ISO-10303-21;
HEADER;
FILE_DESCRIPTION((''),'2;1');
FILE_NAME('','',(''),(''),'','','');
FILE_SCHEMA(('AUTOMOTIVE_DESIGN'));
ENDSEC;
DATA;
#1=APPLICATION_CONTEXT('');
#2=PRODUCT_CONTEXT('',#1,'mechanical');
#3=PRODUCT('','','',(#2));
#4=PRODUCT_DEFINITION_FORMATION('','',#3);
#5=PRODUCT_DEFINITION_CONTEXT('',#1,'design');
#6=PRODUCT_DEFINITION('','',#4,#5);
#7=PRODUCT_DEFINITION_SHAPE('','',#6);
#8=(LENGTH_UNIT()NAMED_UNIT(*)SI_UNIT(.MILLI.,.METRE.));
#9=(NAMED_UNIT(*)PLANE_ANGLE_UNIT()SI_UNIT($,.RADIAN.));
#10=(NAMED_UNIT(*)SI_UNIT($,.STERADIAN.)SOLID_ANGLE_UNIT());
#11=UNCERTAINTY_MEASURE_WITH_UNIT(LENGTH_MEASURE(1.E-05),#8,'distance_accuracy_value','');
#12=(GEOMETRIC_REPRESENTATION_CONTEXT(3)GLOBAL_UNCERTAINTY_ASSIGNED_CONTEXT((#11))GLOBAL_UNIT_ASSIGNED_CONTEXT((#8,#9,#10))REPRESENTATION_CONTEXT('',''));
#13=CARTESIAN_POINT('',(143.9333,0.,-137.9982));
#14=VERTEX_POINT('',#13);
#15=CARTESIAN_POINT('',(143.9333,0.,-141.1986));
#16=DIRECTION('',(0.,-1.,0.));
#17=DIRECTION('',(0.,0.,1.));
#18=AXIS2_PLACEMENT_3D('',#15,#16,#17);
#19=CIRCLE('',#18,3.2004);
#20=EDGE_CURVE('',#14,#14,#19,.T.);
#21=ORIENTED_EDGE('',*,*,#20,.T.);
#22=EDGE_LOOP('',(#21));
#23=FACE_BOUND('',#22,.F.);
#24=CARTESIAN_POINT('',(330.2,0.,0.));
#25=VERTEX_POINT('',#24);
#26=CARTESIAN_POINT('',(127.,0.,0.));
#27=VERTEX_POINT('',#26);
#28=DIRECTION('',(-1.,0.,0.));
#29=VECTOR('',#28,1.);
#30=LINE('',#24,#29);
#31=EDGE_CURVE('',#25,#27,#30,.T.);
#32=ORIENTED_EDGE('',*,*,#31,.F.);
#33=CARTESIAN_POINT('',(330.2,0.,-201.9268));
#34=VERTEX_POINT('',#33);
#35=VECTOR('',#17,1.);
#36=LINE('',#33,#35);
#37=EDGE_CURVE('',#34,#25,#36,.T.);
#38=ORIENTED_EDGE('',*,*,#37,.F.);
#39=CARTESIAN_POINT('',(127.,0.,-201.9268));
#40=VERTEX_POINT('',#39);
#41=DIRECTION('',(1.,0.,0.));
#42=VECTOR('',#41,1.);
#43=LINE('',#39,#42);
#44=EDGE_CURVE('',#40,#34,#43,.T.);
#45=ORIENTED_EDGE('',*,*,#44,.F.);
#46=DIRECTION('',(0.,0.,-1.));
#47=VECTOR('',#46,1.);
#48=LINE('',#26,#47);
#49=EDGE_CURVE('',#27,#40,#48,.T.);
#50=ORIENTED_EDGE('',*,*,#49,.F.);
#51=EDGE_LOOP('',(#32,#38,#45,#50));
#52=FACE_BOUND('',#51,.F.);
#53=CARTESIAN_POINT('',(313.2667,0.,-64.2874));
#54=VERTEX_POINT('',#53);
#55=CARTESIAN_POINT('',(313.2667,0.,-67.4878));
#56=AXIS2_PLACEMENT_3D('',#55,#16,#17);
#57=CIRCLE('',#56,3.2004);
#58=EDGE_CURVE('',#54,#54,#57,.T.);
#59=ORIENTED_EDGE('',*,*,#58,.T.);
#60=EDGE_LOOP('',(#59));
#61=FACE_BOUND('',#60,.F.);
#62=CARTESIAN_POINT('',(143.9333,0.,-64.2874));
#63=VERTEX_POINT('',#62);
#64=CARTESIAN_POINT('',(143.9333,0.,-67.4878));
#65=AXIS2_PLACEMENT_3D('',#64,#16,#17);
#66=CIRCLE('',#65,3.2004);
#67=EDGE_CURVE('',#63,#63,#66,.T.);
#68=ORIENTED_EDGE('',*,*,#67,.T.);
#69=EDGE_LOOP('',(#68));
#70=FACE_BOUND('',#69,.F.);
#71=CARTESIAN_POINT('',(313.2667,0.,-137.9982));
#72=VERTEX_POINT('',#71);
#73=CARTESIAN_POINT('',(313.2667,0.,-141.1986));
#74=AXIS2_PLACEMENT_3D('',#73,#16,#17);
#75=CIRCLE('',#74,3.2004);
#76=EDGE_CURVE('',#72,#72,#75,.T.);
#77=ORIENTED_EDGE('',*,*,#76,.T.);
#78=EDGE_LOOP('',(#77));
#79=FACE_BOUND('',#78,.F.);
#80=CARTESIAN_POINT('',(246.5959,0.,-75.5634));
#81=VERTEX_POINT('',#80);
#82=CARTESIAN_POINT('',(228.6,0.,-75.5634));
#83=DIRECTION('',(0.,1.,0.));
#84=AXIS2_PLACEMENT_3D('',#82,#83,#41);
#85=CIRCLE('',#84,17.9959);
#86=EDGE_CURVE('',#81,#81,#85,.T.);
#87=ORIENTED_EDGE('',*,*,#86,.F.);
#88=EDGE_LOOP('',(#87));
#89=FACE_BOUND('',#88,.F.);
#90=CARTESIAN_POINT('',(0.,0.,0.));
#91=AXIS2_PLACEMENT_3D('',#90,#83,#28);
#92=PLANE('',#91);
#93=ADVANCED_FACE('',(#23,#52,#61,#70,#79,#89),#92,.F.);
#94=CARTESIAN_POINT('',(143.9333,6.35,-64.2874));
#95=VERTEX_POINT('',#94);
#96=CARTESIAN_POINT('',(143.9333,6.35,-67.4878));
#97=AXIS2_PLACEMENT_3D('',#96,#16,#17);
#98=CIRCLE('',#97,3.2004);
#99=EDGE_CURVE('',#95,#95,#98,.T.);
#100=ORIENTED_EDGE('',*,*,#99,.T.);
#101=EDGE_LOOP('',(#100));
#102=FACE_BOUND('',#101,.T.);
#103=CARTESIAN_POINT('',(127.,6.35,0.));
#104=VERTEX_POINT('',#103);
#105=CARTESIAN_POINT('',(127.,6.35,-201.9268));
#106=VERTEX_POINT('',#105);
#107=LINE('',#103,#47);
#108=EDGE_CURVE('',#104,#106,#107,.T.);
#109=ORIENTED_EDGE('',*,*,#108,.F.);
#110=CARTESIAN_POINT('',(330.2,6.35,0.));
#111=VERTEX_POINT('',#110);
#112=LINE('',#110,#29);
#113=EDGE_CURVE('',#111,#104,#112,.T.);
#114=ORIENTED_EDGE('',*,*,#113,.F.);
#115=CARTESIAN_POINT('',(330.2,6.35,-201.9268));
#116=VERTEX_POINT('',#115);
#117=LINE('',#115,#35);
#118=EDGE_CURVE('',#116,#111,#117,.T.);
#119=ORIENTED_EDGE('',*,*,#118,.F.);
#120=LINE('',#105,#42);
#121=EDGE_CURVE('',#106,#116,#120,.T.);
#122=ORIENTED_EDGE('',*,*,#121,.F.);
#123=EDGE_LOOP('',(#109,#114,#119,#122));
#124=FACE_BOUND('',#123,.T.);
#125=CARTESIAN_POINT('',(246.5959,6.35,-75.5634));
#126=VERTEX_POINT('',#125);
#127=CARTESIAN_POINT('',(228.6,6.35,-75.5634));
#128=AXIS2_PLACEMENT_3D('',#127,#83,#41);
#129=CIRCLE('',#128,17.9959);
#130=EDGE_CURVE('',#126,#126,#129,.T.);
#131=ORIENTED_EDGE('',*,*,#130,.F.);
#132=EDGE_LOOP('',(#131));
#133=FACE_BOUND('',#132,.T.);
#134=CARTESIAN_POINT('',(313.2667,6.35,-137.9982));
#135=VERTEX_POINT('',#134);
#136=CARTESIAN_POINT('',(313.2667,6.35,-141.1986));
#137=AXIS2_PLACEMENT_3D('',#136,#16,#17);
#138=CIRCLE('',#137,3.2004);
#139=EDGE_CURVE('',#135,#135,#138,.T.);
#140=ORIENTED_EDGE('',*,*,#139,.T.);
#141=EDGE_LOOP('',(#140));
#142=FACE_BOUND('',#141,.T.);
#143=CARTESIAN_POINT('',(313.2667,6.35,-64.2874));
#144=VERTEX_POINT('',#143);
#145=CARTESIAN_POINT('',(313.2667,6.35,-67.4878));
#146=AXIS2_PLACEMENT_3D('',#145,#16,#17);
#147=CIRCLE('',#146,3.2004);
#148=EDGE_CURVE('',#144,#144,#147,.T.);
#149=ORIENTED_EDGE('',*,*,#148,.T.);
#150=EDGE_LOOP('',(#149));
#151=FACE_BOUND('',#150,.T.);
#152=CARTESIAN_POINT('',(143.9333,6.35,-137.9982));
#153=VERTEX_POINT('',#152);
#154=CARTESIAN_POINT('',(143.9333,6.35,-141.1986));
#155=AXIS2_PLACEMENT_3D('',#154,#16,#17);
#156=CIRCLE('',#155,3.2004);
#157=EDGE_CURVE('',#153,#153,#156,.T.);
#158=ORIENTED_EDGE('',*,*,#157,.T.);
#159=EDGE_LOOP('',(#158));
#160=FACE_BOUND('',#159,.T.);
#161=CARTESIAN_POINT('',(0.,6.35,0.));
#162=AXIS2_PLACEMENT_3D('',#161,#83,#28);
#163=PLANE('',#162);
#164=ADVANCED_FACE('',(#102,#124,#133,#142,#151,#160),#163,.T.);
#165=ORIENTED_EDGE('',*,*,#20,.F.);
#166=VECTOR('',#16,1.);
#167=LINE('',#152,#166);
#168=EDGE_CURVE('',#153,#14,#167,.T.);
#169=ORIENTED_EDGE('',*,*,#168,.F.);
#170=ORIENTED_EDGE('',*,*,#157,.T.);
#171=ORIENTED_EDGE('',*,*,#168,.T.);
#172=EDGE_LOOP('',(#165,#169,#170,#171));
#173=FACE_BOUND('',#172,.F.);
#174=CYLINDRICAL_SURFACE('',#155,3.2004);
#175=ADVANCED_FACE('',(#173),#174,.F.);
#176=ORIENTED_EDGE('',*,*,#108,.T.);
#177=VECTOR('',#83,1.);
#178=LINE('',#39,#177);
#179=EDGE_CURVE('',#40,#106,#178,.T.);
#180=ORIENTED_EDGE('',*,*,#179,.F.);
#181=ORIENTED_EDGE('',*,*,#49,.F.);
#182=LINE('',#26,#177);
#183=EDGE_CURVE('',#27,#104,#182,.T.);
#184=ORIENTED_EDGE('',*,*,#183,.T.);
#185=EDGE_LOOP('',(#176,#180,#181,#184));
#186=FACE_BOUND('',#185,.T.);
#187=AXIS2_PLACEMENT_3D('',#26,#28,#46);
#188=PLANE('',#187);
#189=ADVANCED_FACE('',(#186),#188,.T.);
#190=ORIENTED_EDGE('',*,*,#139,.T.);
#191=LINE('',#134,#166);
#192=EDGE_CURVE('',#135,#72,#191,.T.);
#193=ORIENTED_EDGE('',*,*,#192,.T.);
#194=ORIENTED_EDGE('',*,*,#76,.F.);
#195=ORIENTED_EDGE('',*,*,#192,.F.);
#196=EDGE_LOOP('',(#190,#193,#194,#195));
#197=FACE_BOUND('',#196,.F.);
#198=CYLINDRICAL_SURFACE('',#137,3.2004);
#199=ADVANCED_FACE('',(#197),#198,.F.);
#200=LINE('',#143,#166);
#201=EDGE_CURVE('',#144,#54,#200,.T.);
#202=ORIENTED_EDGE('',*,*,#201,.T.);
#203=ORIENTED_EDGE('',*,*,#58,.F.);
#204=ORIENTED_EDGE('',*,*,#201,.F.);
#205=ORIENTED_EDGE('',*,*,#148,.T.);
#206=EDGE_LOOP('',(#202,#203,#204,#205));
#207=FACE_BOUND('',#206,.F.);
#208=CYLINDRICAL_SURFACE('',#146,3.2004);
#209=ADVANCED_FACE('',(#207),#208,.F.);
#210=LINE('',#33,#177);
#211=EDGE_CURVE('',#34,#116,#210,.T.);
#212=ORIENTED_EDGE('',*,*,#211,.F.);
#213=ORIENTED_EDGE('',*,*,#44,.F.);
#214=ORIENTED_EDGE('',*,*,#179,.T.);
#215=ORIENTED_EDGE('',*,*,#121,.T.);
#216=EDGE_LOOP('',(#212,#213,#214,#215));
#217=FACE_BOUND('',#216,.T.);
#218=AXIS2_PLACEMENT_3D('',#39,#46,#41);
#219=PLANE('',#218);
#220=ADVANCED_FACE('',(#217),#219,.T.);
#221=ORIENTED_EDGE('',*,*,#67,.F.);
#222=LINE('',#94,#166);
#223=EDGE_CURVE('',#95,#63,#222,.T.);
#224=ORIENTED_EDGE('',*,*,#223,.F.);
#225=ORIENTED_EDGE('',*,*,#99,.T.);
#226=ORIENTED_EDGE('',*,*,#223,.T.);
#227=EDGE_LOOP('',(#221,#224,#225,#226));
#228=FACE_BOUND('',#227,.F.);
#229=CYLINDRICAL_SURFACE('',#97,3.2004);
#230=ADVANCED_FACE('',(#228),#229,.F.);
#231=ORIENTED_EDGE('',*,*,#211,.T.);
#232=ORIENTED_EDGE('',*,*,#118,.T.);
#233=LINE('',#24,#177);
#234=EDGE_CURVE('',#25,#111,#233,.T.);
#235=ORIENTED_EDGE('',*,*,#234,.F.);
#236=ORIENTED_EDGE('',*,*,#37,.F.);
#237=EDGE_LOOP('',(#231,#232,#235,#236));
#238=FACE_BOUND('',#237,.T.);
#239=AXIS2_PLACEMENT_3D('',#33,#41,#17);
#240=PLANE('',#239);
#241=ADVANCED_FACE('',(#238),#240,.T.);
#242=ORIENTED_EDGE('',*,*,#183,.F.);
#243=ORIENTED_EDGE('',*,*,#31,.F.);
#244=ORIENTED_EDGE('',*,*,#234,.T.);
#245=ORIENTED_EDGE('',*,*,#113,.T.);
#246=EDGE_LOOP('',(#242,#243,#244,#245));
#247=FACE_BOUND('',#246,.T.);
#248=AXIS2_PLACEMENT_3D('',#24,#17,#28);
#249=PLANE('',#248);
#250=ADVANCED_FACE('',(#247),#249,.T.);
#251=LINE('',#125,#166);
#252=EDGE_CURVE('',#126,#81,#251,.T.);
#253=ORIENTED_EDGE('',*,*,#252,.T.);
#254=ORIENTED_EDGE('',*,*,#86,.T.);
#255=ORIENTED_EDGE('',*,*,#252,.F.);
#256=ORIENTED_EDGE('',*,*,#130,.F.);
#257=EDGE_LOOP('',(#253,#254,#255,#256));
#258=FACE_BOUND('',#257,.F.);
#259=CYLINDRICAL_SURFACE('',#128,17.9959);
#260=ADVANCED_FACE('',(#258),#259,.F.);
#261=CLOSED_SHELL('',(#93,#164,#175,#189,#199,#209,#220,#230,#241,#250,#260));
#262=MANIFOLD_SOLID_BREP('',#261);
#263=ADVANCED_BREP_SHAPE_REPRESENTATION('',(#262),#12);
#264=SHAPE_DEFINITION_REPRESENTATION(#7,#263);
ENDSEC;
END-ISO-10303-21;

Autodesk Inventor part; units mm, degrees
ref_plane "YZ Plane" through (0, 0, 0) normal (1, 0, 0) x (0, 1, 0)
ref_plane "XZ Plane" through (0, 0, 0) normal (0, 1, 0) x (-1, 0, 0)
ref_plane "XY Plane" through (0, 0, 0) normal (0, 0, 1) x (1, 0, 0)
sketch "Sketch1" plane through (0, 0, 0) normal (0, 1, 0) x (-1, 0, 0)
  line L0 (-330.2, -201.9268) -> (-330.2, 0)
  line L1 (-127, -201.9268) -> (-330.2, -201.9268)
  line L2 (-330.2, 0) -> (-127, 0)
  line L3 (-127, 0) -> (-127, -201.9268)
  point P0 (0, 0)
  dimension "d136" = 203.2
extrude "Extrusion1" add sketch "Sketch1" along normal blind 6.35
sketch "Sketch2" plane through (0, 6.35, 0) normal (0, 1, 0) x (1, 0, 0)
  circle A0 centre (143.9333, 141.1986) radius 2.6501
  circle A1 centre (143.9333, 67.4878) radius 2.6501
  circle A2 centre (313.2667, 141.1986) radius 2.6501
  circle A3 centre (313.2667, 67.4878) radius 2.6501
  line L0 (330.2, 0) -> (127, 0)
  line L1 (127, 0) -> (330.2, 0) projected
  line L2 (330.2, 0) -> (330.2, 201.9268) projected
  line L3 (330.2, 0) -> (330.2, 201.9268)
  line L4 (330.2, 201.9268) -> (127, 201.9268)
  line L5 (127, 201.9268) -> (127, 0) projected
  line L6 (127, 201.9268) -> (127, 0)
  point P0 (127, 19.4733)
  point P1 (330.2, 149.86)
  point P2 (228.6, 0)
  dimension "d137" = 203.2
hole "Hole9" at (143.9333, 6.35, -141.1986) direction (0, -1, 0) diameter 6.4008 end through all thread size "5/16-18 UNC" class "2B" standard "ANSI Unified Screw Threads"
hole "Hole10" at (143.9333, 6.35, -67.4878) direction (0, -1, 0) diameter 6.4008 end through all thread size "5/16-18 UNC" class "2B" standard "ANSI Unified Screw Threads"
hole "Hole11" at (313.2667, 6.35, -141.1986) direction (0, -1, 0) diameter 6.4008 end through all thread size "5/16-18 UNC" class "2B" standard "ANSI Unified Screw Threads"
hole "Hole12" at (313.2667, 6.35, -67.4878) direction (0, -1, 0) diameter 6.4008 end through all thread size "5/16-18 UNC" class "2B" standard "ANSI Unified Screw Threads"
sketch "Sketch3" plane through (0, 6.35, 0) normal (0, 1, 0) x (1, 0, 0)
  circle A0 centre (228.6, 75.5634) radius 17.9959
  point P0 (0, 0)
  point P1 (127, 201.9268)
extrude "Extrusion2" cut sketch "Sketch3" against normal blind 50.8
equation "\"d97\" = d12"
equation "\"d104\" = d12"
equation "\"d111\" = d12"
equation "\"d12\" = 7.9375"
properties part number "base_plate"
